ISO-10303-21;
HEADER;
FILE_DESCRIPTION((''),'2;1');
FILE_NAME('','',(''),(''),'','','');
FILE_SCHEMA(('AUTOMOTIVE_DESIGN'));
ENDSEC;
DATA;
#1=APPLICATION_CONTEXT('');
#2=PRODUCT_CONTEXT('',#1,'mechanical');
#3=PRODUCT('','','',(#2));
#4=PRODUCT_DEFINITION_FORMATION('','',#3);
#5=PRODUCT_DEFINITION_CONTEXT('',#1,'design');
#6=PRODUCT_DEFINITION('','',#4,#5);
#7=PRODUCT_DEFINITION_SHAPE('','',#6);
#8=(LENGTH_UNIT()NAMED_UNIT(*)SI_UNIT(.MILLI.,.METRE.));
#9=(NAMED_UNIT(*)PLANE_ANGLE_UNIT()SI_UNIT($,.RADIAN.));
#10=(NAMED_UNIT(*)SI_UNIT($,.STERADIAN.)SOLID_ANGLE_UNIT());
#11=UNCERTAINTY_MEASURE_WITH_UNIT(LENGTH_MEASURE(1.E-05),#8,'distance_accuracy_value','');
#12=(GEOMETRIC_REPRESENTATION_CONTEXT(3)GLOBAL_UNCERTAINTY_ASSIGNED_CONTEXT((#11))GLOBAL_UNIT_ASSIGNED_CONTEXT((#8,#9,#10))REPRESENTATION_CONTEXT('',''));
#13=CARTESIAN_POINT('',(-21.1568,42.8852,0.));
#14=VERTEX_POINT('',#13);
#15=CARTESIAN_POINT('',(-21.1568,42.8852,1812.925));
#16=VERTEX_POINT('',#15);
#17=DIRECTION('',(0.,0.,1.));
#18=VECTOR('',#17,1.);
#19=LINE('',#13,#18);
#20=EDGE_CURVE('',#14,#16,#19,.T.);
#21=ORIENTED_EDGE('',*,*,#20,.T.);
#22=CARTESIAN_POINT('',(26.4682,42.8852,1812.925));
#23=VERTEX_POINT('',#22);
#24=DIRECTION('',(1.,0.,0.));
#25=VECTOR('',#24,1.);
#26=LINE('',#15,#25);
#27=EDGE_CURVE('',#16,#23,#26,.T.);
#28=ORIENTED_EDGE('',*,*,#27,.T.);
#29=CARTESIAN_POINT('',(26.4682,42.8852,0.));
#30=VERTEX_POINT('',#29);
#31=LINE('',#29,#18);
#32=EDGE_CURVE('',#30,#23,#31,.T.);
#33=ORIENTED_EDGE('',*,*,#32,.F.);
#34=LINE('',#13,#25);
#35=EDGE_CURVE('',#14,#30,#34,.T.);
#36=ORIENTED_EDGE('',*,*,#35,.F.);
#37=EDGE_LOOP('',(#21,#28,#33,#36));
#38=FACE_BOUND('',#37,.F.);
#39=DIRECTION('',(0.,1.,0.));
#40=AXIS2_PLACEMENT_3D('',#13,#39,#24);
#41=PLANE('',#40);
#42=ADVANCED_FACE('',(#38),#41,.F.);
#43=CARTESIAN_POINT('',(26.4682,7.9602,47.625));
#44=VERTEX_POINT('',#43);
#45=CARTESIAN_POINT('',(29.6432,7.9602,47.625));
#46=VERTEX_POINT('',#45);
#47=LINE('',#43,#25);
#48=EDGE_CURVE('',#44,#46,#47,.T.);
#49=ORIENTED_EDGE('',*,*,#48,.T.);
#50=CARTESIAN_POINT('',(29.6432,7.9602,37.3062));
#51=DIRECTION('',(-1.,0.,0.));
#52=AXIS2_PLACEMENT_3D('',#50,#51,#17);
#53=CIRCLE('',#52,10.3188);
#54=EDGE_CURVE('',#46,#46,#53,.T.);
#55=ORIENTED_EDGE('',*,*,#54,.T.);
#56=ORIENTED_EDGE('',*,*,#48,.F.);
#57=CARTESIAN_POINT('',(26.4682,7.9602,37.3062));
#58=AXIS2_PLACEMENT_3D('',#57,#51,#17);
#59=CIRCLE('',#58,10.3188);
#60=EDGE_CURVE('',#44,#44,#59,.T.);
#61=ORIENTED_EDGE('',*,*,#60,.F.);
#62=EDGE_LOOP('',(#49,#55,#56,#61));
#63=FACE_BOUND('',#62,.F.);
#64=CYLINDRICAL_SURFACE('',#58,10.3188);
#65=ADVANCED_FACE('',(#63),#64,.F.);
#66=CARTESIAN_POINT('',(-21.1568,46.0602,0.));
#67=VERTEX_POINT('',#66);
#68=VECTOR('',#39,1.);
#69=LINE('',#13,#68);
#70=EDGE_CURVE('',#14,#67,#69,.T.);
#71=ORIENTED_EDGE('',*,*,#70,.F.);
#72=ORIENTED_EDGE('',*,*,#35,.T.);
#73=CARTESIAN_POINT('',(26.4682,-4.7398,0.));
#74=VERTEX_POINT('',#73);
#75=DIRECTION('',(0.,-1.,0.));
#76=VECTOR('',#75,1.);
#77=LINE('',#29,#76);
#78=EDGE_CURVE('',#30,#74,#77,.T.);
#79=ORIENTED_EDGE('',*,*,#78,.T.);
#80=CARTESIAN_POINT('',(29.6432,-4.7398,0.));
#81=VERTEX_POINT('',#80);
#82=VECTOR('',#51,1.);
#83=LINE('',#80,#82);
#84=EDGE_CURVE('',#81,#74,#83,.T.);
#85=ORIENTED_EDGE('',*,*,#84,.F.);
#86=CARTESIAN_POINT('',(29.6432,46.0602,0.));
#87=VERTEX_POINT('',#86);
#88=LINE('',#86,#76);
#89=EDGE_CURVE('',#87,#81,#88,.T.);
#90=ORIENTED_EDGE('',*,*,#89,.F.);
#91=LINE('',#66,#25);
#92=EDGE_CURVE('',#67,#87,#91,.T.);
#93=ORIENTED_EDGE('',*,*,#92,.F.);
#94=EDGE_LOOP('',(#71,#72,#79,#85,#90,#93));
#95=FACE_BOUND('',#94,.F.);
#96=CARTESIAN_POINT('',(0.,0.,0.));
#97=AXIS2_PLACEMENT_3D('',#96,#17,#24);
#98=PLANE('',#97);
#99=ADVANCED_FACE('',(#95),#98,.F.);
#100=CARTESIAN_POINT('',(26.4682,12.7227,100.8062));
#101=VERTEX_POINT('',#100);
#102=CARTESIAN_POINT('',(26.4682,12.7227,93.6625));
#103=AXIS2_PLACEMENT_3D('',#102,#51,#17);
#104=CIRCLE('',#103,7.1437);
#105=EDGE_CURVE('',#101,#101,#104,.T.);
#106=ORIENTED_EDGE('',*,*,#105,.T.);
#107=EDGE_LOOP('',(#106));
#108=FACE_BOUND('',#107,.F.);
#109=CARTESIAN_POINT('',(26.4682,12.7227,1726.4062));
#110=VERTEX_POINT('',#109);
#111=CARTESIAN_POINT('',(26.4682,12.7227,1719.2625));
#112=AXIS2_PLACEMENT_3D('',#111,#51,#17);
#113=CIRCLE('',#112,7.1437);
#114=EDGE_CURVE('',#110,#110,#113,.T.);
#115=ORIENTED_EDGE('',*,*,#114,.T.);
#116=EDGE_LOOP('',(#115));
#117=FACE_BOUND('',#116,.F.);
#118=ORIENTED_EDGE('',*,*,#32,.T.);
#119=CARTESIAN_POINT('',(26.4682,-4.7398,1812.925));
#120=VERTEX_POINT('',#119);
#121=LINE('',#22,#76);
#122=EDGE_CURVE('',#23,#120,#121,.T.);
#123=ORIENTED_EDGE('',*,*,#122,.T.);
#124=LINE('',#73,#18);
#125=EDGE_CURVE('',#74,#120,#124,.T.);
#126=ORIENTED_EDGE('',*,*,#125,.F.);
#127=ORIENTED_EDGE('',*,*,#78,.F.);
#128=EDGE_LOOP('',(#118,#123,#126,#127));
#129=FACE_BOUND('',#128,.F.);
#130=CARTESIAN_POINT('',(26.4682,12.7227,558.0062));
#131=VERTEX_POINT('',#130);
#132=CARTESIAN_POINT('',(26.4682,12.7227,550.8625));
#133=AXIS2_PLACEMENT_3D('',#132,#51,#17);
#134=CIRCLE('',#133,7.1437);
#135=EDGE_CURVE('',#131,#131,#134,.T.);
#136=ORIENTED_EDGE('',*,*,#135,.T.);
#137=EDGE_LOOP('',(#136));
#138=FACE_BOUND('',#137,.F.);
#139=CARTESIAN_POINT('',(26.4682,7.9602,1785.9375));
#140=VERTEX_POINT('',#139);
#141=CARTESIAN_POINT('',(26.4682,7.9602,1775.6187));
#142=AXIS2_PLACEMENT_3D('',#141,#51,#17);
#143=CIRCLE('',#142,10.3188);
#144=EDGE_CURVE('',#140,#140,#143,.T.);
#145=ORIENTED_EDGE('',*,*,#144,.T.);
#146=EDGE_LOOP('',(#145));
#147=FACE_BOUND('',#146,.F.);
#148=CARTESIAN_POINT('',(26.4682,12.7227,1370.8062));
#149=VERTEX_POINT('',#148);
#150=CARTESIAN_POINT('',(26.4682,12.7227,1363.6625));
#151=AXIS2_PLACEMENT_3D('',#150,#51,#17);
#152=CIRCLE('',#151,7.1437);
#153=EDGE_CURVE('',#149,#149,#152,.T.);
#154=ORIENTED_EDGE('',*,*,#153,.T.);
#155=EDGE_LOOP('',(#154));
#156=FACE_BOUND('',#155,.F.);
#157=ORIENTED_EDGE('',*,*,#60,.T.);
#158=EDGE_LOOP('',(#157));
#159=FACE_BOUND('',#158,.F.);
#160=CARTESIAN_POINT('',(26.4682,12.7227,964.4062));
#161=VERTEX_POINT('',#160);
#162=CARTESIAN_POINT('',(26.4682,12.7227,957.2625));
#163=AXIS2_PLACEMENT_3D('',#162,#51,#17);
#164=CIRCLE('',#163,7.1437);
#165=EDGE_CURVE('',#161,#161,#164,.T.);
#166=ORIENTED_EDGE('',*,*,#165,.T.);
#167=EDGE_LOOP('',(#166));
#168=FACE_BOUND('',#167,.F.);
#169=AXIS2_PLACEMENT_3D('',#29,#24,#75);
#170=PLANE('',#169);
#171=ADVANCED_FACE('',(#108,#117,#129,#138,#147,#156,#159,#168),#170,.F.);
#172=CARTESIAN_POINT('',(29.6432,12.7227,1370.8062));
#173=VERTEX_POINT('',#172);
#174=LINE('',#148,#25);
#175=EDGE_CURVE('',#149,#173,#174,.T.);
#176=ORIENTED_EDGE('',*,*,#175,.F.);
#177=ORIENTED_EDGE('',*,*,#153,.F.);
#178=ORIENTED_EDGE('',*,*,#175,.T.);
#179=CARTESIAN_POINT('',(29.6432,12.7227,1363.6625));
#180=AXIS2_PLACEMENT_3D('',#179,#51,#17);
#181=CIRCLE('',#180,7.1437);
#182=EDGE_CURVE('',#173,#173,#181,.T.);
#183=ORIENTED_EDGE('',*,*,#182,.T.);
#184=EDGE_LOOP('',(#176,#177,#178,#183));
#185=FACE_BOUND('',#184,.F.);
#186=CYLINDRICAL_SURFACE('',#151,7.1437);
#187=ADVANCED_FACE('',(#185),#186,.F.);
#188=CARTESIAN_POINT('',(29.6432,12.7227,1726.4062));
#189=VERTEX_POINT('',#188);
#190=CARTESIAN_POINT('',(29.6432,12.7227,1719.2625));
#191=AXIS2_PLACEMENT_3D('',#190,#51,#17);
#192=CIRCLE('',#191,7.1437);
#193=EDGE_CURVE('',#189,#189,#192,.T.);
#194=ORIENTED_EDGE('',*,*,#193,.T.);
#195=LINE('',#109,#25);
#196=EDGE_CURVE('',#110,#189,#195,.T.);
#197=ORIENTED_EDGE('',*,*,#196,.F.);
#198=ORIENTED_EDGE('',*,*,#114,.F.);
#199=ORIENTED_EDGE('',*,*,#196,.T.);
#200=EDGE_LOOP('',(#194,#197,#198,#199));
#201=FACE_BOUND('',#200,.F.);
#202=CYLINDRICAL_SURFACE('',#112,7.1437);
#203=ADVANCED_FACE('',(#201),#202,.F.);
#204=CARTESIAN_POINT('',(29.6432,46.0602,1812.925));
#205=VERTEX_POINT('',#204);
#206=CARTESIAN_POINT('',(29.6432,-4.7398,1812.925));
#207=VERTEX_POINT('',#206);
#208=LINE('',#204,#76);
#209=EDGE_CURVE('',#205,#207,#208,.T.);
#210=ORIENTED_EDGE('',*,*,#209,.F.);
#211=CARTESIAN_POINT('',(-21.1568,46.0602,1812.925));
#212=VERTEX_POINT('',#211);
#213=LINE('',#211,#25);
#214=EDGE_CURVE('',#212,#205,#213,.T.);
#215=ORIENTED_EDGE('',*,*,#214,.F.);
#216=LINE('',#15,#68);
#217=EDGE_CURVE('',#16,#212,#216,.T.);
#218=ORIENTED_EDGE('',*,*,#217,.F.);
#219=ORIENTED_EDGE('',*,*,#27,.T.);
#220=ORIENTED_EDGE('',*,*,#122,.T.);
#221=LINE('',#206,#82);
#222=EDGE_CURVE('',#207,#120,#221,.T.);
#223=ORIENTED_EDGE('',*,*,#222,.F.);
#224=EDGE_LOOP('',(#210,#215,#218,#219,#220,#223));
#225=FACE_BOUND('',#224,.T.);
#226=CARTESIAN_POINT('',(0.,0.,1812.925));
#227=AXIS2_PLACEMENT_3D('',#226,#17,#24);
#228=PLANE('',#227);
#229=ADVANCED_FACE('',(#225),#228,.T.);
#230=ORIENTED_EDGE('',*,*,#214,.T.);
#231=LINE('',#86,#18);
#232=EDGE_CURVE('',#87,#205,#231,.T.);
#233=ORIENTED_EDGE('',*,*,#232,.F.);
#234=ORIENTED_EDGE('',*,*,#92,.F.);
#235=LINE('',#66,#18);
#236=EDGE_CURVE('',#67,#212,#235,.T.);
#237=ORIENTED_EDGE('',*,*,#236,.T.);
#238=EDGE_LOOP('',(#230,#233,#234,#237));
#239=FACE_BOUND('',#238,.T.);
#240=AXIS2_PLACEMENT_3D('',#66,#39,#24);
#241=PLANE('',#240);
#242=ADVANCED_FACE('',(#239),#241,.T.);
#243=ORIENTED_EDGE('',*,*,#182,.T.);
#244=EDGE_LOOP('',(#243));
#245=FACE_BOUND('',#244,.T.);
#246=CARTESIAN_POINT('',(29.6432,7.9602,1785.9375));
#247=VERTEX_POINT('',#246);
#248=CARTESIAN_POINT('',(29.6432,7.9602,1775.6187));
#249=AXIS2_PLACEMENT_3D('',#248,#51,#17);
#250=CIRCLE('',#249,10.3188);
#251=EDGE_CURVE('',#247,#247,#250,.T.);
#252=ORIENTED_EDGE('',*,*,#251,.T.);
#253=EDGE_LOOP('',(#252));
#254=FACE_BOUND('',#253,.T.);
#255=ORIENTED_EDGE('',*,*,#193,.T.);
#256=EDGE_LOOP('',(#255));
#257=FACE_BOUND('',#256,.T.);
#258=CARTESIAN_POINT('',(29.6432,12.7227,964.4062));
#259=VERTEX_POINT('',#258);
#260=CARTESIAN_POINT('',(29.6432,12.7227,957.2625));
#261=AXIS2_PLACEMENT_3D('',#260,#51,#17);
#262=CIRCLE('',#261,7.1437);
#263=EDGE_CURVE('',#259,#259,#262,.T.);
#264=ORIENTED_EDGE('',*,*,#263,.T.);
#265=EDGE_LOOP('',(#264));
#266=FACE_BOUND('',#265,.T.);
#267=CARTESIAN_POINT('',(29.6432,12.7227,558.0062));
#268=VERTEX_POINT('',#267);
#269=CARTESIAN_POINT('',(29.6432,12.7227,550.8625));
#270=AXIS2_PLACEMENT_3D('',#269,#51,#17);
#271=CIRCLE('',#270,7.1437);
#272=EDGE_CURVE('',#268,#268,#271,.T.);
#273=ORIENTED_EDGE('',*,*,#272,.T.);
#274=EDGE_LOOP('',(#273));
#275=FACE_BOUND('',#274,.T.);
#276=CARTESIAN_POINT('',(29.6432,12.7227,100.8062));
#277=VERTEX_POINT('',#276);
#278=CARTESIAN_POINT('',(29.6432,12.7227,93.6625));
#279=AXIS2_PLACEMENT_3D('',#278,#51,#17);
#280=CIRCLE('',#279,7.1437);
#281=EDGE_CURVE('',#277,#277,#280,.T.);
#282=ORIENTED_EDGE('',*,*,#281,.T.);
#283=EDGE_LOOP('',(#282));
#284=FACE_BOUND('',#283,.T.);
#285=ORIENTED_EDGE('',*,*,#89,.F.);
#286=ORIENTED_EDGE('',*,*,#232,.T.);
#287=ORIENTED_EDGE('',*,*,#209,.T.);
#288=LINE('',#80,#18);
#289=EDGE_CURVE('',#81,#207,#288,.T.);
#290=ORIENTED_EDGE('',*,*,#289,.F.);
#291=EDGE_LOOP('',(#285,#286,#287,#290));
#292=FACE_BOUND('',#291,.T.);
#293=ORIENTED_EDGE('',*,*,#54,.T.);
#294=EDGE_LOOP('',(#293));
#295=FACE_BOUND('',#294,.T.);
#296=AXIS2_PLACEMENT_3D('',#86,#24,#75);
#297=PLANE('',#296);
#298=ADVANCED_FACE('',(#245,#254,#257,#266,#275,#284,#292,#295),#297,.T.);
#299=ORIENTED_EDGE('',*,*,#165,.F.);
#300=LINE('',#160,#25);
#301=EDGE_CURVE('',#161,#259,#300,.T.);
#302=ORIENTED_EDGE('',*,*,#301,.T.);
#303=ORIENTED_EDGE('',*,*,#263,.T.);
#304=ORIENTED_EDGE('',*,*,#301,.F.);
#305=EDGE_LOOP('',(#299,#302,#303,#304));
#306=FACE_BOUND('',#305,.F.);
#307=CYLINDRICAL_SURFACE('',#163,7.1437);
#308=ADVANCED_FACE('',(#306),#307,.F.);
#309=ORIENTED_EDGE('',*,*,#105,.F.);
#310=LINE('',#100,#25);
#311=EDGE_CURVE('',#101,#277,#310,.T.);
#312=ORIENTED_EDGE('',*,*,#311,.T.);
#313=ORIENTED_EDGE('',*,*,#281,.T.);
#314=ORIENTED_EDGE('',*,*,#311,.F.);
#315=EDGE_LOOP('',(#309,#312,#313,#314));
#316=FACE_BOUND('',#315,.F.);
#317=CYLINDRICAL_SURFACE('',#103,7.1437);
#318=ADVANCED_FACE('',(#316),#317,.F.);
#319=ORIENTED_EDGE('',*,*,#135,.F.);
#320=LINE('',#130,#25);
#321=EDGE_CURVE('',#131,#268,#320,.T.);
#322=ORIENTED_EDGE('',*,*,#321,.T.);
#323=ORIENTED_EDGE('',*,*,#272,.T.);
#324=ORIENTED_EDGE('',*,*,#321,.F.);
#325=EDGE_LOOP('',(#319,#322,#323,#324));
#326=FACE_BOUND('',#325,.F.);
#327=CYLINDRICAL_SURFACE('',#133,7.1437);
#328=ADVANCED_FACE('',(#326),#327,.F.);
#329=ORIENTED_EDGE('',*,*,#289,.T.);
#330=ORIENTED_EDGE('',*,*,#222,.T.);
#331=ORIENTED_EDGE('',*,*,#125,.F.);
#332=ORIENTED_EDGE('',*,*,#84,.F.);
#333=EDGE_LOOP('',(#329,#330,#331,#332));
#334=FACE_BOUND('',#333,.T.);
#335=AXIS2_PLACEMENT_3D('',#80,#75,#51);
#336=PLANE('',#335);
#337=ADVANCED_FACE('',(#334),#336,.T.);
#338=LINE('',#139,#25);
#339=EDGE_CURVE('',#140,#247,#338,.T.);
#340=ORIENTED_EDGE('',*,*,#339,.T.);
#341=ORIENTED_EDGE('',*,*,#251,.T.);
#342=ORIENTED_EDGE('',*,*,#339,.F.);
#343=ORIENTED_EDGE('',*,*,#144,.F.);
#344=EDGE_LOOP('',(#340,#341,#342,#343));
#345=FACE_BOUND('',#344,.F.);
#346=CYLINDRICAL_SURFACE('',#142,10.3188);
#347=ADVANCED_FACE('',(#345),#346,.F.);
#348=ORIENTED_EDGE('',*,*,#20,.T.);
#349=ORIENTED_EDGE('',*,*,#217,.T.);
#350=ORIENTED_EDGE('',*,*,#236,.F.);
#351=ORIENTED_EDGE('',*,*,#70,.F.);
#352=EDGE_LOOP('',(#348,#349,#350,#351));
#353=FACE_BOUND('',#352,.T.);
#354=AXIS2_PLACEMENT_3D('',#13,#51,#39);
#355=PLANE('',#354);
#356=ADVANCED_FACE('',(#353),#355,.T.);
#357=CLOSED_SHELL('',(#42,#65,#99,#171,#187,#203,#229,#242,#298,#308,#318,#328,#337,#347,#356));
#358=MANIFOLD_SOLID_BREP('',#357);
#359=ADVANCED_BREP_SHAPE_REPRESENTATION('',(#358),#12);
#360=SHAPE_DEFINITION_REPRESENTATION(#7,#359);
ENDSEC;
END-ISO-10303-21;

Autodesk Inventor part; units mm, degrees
ref_plane "YZ Plane" through (0, 0, 0) normal (1, 0, 0) x (0, 1, 0)
ref_plane "XZ Plane" through (0, 0, 0) normal (0, 1, 0) x (-1, 0, 0)
ref_plane "XY Plane" through (0, 0, 0) normal (0, 0, 1) x (1, 0, 0)
sketch "Sketch1" plane through (0, 0, 0) normal (0, 0, 1) x (1, 0, 0)
  line L0 (-21.1568, 46.0602) -> (29.6432, 46.0602)
  line L1 (29.6432, 46.0602) -> (29.6432, -4.7398)
  line L2 (29.6432, -4.7398) -> (26.4682, -4.7398)
  line L3 (-21.1568, 42.8852) -> (-21.1568, 46.0602)
  line L4 (-21.1568, 42.8852) -> (26.4682, 42.8852)
  line L5 (26.4682, 42.8852) -> (26.4682, -4.7398)
  dimension "d0" = 50.8
  dimension "d1" = 50.8
  dimension "d2" = 3.175
  dimension "d3" = 3.175
extrude "Extrusion1" add sketch "Sketch1" along normal blind 1812.925
sketch "Sketch2" plane through (26.4682, -4.7398, 0) normal (-1, 0, 0) x (0, 0, 1)
  circle A0 centre (37.3062, 12.7) radius 10.3188
  circle A1 centre (93.6625, 17.4625) radius 7.1437
  line L0 (0, 50.8) -> (1812.925, 50.8) projected
  circle A2 centre (550.8625, 17.4625) radius 7.1437
  circle A3 centre (957.2625, 17.4625) radius 7.1437
  circle A4 centre (1363.6625, 17.4625) radius 7.1437
  circle A5 centre (1719.2625, 17.4625) radius 7.1437
  circle A6 centre (1775.6187, 12.7) radius 10.3188
  line L1 (1812.925, 0) -> (1812.925, 47.625) projected
  dimension "d8" = 20.6375
  dimension "d9" = 14.2875
  dimension "d12" = 38.1
  dimension "d13" = 33.3375
  dimension "d14" = 14.2875
  dimension "d15" = 14.2875
  dimension "d16" = 14.2875
  dimension "d17" = 14.2875
  dimension "d25" = 20.6375
  dimension "d26" = 38.1
  dimension "d27" = 37.3062
  dimension "d28" = 93.6625
  dimension "d29" = 449.2625
  dimension "d30" = 855.6625
  dimension "d31" = 1262.0625
  dimension "d32" = 1719.2625
  dimension "d33" = 1775.6188
extrude "Extrusion2" cut sketch "Sketch2" against normal blind 1812.925
equation "\"d14\" = d9"
equation "\"d15\" = d9"
equation "\"d16\" = d9"
equation "\"d17\" = d9"
equation "\"d25\" = d8"
equation "\"d26\" = d12"
properties part number "FE-00007-01"
